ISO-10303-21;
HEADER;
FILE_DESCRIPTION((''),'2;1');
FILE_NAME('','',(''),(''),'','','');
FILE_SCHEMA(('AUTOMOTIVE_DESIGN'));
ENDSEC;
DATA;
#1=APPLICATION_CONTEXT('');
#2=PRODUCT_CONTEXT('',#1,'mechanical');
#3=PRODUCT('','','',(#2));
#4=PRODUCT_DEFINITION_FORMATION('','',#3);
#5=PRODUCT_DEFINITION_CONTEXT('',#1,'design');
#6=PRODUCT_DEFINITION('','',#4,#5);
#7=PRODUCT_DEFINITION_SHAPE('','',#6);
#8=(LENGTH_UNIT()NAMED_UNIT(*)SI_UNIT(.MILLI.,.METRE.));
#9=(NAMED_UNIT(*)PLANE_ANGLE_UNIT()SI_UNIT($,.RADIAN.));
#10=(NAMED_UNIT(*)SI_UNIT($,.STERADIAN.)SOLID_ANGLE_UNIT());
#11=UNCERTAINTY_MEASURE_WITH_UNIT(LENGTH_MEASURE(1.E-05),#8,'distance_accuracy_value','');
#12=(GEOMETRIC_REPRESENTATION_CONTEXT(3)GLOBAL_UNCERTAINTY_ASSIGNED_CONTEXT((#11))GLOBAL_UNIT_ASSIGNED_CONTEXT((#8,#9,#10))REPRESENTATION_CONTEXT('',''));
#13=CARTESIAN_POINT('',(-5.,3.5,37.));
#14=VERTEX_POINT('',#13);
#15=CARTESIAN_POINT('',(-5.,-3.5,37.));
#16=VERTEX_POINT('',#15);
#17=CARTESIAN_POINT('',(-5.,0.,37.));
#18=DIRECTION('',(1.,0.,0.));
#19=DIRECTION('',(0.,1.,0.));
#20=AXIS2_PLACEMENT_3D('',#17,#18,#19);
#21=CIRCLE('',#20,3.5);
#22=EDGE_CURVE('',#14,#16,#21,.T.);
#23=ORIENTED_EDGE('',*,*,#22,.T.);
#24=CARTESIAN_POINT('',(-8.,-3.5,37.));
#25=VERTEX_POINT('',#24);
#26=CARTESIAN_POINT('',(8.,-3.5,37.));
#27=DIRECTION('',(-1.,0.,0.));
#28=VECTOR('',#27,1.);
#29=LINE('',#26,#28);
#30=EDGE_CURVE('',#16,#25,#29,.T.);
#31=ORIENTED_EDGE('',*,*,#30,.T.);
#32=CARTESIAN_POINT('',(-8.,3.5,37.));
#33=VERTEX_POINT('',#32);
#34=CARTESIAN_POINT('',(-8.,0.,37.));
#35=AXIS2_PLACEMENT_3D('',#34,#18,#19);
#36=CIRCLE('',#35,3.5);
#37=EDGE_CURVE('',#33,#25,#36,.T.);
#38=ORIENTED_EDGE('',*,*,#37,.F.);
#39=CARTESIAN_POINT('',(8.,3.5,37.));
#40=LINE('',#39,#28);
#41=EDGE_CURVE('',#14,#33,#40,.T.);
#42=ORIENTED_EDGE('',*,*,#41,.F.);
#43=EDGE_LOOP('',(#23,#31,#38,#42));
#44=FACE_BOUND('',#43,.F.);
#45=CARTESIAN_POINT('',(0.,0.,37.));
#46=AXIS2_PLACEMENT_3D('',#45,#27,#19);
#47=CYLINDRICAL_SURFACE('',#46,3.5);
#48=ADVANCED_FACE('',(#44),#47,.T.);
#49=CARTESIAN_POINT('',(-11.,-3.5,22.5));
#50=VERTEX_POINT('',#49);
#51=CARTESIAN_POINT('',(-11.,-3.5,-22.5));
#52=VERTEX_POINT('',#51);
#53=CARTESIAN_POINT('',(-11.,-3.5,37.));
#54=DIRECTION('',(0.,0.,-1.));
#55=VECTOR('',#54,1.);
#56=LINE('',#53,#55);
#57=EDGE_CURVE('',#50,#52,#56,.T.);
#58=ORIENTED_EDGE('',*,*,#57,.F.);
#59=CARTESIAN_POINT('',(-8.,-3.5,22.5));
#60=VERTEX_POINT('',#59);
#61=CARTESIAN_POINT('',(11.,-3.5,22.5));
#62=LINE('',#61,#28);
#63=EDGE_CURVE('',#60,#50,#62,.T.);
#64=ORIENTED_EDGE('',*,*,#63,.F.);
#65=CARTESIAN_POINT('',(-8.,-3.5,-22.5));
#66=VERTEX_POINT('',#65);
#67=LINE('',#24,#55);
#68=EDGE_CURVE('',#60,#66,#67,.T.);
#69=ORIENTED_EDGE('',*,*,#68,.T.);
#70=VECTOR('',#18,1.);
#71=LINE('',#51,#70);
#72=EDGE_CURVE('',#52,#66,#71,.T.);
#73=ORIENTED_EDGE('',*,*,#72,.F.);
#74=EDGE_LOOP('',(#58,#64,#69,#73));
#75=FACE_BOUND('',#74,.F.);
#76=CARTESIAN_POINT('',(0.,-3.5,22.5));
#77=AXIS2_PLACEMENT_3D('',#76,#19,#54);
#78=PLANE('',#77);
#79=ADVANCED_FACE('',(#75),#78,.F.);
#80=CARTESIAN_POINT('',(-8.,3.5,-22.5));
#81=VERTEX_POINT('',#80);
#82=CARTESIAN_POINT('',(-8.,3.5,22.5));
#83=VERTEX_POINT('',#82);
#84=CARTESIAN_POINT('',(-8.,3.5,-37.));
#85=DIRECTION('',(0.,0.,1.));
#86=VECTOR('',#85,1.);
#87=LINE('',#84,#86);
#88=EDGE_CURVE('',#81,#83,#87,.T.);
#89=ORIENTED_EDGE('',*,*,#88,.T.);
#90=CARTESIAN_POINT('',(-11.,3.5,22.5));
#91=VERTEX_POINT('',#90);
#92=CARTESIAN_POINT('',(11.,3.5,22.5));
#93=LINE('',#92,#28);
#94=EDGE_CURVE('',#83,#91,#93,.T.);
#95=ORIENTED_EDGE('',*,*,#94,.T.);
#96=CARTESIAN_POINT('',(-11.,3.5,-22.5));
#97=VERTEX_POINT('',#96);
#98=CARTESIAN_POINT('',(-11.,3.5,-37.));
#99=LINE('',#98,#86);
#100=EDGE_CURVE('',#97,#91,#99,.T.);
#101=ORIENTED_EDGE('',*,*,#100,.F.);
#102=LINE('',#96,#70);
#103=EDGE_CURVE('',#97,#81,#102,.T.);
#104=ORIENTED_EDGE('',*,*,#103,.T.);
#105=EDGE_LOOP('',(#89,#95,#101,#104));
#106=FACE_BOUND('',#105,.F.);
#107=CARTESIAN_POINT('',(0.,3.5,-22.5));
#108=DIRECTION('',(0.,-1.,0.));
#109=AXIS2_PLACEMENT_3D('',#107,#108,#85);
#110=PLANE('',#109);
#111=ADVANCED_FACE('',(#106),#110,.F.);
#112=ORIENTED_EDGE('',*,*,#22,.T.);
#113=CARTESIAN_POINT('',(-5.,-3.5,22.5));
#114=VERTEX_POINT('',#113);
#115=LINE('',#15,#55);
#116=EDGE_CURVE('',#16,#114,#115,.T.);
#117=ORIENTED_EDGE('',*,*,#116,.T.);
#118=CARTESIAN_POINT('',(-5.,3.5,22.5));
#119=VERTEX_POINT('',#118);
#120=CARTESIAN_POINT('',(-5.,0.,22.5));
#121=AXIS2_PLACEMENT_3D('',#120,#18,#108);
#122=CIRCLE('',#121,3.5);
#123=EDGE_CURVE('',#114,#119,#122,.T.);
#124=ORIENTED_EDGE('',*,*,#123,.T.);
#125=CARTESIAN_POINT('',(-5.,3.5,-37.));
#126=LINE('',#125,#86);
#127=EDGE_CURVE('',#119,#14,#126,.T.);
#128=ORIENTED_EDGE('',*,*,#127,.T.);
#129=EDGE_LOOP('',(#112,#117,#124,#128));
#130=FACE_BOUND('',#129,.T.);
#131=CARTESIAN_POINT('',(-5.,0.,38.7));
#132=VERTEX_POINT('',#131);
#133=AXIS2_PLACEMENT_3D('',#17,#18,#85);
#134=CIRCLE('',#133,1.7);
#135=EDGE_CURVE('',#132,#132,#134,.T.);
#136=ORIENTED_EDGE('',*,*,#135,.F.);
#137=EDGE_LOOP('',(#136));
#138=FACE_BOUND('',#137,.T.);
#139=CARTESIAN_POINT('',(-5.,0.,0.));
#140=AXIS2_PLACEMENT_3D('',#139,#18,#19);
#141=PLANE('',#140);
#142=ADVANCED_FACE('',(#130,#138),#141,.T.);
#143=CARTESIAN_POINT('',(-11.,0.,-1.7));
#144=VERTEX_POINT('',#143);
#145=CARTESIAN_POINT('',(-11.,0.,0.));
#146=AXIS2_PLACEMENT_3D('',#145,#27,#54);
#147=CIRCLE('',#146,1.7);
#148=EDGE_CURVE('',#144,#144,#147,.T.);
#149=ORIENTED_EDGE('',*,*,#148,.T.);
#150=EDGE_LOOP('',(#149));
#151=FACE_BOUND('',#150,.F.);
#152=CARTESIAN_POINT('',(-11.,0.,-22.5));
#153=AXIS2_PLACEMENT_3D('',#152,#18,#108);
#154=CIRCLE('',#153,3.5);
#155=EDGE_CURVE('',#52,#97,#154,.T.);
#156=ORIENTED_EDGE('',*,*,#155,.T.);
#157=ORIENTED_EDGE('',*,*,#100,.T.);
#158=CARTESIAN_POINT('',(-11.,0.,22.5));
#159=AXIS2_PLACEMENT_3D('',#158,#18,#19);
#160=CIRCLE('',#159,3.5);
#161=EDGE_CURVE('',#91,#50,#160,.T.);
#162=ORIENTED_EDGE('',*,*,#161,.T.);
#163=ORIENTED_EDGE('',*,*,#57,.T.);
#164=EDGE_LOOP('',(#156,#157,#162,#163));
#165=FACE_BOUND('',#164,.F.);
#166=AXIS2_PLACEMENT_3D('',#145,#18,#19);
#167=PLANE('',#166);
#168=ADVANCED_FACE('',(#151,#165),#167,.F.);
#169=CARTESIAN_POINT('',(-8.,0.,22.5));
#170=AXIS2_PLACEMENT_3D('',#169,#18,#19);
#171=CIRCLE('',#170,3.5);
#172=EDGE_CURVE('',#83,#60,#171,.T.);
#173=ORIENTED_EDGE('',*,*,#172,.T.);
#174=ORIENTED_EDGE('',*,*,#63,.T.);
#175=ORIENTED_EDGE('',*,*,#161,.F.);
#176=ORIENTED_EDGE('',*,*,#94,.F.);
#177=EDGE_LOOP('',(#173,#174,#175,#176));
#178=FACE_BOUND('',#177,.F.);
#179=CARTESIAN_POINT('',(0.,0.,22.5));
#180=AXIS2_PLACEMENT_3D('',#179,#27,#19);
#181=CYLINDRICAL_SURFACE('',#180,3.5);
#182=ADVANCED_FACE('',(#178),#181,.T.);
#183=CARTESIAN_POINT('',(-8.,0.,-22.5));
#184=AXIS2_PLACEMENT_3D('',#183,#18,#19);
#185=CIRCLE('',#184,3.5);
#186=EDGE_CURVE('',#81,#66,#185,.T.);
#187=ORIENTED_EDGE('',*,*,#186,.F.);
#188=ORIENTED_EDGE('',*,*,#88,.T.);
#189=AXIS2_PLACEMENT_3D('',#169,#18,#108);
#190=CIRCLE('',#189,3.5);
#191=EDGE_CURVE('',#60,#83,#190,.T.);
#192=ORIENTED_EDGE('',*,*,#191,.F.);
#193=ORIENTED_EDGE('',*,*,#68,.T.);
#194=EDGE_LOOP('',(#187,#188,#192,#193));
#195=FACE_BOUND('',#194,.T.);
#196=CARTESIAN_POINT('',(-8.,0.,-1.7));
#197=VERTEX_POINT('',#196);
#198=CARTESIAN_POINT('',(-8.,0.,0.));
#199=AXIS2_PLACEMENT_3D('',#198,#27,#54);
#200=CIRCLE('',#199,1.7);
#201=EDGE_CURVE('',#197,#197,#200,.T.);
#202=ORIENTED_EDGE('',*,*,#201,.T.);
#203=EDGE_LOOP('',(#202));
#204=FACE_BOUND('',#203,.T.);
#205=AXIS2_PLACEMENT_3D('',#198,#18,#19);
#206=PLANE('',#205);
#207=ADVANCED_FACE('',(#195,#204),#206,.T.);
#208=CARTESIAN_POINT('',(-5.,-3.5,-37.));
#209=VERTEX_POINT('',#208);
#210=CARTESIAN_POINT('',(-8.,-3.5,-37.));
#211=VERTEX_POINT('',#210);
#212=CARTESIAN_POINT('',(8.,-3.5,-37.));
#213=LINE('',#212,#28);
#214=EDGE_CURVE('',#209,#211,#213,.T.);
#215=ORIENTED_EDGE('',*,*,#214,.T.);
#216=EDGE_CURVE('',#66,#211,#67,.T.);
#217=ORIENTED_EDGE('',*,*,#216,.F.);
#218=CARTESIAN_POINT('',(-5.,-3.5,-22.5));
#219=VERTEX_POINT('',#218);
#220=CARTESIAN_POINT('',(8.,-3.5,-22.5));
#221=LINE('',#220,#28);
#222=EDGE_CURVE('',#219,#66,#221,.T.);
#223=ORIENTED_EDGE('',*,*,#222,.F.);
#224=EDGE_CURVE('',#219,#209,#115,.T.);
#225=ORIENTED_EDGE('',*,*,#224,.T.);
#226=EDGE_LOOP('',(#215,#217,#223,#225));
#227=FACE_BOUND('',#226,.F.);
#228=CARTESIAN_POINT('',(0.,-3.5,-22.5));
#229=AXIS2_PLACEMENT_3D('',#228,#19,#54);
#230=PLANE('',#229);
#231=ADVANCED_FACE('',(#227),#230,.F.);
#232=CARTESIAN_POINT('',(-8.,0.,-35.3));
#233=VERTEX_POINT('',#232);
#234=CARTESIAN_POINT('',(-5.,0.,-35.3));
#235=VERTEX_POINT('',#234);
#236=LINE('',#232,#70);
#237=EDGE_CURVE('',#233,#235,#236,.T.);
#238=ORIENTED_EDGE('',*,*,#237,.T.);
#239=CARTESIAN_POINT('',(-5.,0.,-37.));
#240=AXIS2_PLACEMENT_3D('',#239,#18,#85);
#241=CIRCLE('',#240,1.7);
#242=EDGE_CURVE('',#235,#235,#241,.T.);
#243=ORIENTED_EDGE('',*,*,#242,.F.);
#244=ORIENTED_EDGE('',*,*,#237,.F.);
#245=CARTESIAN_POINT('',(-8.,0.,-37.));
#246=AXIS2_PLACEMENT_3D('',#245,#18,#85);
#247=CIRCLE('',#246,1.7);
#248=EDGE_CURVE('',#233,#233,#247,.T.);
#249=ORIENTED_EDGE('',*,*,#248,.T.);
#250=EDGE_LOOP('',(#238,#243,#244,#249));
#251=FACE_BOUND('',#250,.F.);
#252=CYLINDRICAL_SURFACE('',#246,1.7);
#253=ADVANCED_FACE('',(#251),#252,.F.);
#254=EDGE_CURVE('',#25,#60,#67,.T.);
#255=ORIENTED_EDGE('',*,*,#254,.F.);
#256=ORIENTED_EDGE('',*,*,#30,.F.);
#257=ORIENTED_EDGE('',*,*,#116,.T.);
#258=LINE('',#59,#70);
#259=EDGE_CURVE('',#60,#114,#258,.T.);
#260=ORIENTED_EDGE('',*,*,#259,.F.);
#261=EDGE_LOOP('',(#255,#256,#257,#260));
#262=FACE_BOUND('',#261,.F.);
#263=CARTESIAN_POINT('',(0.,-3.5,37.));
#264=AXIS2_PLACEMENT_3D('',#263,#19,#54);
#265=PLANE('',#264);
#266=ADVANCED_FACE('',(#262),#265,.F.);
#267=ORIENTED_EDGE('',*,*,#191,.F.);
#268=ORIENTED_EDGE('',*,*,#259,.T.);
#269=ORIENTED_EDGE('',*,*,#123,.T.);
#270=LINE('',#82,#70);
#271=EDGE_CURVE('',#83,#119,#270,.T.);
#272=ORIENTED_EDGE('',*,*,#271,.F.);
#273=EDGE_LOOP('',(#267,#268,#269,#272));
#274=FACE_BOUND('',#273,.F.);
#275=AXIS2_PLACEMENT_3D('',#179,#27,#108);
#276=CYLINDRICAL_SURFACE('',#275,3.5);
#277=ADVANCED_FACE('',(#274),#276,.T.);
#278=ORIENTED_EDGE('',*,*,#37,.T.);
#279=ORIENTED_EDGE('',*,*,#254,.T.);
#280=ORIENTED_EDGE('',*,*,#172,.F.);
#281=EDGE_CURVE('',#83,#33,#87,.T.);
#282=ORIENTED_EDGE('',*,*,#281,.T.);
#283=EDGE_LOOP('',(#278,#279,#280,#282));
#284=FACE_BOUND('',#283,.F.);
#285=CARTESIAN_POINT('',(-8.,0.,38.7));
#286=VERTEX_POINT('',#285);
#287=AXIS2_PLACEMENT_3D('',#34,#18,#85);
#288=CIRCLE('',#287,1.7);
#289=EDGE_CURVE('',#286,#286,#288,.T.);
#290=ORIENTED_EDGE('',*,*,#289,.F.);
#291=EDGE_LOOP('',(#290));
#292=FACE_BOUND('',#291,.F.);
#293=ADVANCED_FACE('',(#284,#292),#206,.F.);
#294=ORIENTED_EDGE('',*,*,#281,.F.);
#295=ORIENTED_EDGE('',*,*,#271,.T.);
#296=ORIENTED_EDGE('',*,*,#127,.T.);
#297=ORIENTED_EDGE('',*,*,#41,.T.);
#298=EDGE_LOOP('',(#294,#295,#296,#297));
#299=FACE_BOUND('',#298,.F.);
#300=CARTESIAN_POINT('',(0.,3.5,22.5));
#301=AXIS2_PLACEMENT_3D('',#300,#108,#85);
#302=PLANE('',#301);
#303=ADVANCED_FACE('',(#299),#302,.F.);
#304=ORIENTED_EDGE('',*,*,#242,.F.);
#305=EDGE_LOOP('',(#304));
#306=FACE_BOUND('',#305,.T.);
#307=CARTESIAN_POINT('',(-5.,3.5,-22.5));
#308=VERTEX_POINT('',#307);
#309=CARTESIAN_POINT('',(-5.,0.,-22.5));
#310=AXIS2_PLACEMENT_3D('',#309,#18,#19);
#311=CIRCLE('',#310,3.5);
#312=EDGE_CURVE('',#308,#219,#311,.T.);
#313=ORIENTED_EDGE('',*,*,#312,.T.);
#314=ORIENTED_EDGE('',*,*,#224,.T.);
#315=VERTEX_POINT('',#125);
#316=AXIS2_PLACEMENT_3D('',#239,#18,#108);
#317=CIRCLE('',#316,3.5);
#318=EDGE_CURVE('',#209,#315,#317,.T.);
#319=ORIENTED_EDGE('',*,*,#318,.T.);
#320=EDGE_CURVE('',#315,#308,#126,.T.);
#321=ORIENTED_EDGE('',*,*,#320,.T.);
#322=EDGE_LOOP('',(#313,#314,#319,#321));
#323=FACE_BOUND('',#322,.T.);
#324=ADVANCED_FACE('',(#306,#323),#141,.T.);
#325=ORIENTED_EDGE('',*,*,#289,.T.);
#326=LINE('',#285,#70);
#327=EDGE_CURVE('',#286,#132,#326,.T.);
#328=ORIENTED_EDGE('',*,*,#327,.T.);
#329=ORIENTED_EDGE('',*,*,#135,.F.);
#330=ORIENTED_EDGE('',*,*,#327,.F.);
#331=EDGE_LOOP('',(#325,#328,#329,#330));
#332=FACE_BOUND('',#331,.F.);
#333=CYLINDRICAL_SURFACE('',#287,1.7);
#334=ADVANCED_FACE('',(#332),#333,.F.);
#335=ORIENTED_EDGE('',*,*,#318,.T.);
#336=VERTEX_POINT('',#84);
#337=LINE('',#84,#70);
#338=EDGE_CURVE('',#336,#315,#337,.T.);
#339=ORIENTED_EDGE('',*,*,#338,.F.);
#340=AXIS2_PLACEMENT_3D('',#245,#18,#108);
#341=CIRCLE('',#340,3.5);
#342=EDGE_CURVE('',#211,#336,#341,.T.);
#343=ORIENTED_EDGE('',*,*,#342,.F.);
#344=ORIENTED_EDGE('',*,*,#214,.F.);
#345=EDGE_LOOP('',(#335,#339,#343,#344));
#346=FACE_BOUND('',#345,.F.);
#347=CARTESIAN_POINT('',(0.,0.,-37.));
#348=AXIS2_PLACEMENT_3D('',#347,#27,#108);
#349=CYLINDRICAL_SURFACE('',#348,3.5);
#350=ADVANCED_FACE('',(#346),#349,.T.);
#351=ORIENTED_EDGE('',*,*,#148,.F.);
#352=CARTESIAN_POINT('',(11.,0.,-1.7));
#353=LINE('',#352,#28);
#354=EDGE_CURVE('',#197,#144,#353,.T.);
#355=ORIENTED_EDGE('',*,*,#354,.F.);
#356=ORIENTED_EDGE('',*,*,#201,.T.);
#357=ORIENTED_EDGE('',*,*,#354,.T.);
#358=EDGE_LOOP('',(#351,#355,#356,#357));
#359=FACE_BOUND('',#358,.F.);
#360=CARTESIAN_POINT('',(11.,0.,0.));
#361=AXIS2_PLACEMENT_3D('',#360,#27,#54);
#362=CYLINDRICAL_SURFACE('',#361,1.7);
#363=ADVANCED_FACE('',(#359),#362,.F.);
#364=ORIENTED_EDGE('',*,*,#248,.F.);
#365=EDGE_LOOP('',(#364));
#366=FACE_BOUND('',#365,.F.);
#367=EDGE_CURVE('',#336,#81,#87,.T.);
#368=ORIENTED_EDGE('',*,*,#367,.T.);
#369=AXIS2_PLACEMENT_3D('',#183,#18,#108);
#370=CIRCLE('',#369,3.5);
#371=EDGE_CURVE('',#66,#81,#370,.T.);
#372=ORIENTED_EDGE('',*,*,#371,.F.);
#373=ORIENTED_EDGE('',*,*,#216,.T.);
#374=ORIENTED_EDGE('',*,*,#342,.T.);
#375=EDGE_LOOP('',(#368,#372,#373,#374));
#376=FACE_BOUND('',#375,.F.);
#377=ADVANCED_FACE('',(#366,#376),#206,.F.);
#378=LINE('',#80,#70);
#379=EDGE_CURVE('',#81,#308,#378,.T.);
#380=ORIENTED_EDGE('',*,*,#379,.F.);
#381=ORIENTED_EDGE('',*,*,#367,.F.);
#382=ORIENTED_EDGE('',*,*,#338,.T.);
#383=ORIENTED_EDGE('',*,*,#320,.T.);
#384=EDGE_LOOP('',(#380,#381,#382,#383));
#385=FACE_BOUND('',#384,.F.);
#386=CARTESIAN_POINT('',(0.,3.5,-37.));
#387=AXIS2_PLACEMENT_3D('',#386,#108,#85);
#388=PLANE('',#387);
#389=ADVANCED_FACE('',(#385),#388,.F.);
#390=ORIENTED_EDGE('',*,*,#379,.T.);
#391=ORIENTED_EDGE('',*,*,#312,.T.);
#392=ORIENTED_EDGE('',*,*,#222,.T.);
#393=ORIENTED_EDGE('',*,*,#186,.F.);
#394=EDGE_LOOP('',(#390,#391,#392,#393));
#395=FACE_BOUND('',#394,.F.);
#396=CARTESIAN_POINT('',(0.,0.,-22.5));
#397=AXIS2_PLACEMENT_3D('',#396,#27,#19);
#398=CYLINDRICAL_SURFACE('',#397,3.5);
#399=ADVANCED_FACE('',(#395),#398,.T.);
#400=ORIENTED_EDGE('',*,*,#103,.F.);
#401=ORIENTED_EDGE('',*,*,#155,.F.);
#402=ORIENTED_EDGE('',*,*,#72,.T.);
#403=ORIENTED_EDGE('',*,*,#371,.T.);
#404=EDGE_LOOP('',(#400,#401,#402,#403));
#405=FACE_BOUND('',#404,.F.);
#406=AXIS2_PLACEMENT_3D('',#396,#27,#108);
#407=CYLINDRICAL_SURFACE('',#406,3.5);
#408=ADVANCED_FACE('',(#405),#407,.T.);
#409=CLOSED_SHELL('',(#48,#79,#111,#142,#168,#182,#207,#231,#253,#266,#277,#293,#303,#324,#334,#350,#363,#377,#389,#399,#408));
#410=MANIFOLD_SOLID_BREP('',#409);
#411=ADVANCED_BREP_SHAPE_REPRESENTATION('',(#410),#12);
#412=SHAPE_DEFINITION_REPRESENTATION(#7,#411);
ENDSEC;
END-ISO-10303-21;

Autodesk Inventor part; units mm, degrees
ref_plane "YZ Plane" through (0, 0, 0) normal (1, 0, 0) x (0, 1, 0)
ref_plane "XZ Plane" through (0, 0, 0) normal (0, 1, 0) x (-1, 0, 0)
ref_plane "XY Plane" through (0, 0, 0) normal (0, 0, 1) x (1, 0, 0)
sketch "Sketch1" plane through (0, 0, 0) normal (1, 0, 0) x (0, 1, 0)
  line L0 (0, -37) -> (0, 37) construction
  line L1 (3.5, -37) -> (3.5, 37)
  line L2 (-3.5, 37) -> (-3.5, -37)
  arc A0 (-3.5, -37) -> (3.5, -37) centre (0, -37) ccw
  arc A1 (3.5, 37) -> (-3.5, 37) centre (0, 37) ccw
  circle A2 centre (0, 37) radius 1.5
  circle A3 centre (0, 0) radius 1.5
  circle A4 centre (0, -37) radius 1.5
  line L3 (0, -22.5) -> (0, 22.5) construction
  line L4 (3.5, -22.5) -> (3.5, 22.5)
  line L5 (-3.5, 22.5) -> (-3.5, -22.5)
  arc A5 (-3.5, -22.5) -> (3.5, -22.5) centre (0, -22.5) ccw
  arc A6 (3.5, 22.5) -> (-3.5, 22.5) centre (0, 22.5) ccw
  line L6 (0, -37) -> (0, -22.5) construction
  line L7 (-3.5, -37) -> (-3.5, -22.5)
  line L8 (3.5, -22.5) -> (3.5, -37)
  arc A7 (-3.5, -37) -> (3.5, -37) centre (0, -37) ccw
  arc A8 (3.5, -22.5) -> (-3.5, -22.5) centre (0, -22.5) ccw
  line L9 (3.5, 0) -> (-3.5, 0) construction
  line L10 (0, 37) -> (0, 22.5) construction
  line L11 (-3.5, 37) -> (-3.5, 22.5)
  line L12 (3.5, 22.5) -> (3.5, 37)
  arc A9 (3.5, 37) -> (-3.5, 37) centre (0, 37) ccw
  arc A10 (-3.5, 22.5) -> (3.5, 22.5) centre (0, 22.5) ccw
  point P0 (0, -40.5)
  point P1 (0, 40.5)
  point P2 (0, -29.75)
  point P3 (0, 29.75)
  dimension "d18" = 81
  dimension "d19" = 3
  dimension "d20" = 7
  dimension "d32" = 45
extrude "Extrusión3" add sketch "Sketch1" along normal mid plane 22 contours A8 L2 A10 L1 | A5 A8 | A10 A6 | A3
extrude "Extrusión4" cut sketch "Sketch1" along normal mid plane 16 contours A8 L2 A10 L1 | A5 A8 | A10 A6 | A3
extrude "Extrusión5" add sketch "Sketch1" along normal mid plane 16 contours A0 L2 A5 L1 | A5 A8 | A6 L2 A1 L1 | A10 A6 | A2 | A4
extrude "Extrusión6" cut sketch "Sketch1" along normal mid plane 10 contours A0 L2 A5 L1 | A5 A8 | A6 L2 A1 L1 | A10 A6 | A2 | A4
sketch "Boceto2" plane through (-8, 0, 0) normal (-1, 0, 0) x (0, 0, 1)
  point P0 (-37, 0)
  point P1 (37, 0)
hole "Agujero1" at (-8, 0, -37) at (-8, 0, 37) direction (1, 0, 0) diameter 3.4 end through all clearance for "Tornillo de cabeza plana avellanada ISO 2009/7046" size "M3" standard "ISO"
sketch "Boceto3" plane through (11, 0, 0) normal (1, 0, 0) x (0, 0, -1)
  point P0 (0, 0)
  point P1 (0, 0)
hole "Agujero2" at (11, 0, 0) direction (-1, 0, 0) diameter 3.4 end through all clearance for "Tornillo de cabeza plana avellanada ISO 2009/7046" size "M3" standard "ISO"
sketch "Boceto4" plane through (11, 0, 0) normal (1, 0, 0) x (0, 0, -1)
  line L0 (-22.5, 3.5) -> (-37, 3.5) projected
  arc A0 (-37, 3.5) -> (-37, -3.5) centre (-37, 0) ccw projected
  line L1 (-37, -3.5) -> (-22.5, -3.5) projected
  line L2 (-22.5, -3.5) -> (22.5, -3.5) projected
  line L3 (22.5, 3.5) -> (-22.5, 3.5) projected
  line L4 (37, 3.5) -> (22.5, 3.5) projected
  arc A1 (37, -3.5) -> (37, 3.5) centre (37, 0) ccw projected
  line L5 (22.5, -3.5) -> (37, -3.5) projected
  point P0 (0, 0)
extrude "Extrusión7" cut sketch "Boceto4" against normal blind 10
equation "\"d35\" = Dedos"
equation "\"Dedos\" = 10"
properties part number "Corredera I"
